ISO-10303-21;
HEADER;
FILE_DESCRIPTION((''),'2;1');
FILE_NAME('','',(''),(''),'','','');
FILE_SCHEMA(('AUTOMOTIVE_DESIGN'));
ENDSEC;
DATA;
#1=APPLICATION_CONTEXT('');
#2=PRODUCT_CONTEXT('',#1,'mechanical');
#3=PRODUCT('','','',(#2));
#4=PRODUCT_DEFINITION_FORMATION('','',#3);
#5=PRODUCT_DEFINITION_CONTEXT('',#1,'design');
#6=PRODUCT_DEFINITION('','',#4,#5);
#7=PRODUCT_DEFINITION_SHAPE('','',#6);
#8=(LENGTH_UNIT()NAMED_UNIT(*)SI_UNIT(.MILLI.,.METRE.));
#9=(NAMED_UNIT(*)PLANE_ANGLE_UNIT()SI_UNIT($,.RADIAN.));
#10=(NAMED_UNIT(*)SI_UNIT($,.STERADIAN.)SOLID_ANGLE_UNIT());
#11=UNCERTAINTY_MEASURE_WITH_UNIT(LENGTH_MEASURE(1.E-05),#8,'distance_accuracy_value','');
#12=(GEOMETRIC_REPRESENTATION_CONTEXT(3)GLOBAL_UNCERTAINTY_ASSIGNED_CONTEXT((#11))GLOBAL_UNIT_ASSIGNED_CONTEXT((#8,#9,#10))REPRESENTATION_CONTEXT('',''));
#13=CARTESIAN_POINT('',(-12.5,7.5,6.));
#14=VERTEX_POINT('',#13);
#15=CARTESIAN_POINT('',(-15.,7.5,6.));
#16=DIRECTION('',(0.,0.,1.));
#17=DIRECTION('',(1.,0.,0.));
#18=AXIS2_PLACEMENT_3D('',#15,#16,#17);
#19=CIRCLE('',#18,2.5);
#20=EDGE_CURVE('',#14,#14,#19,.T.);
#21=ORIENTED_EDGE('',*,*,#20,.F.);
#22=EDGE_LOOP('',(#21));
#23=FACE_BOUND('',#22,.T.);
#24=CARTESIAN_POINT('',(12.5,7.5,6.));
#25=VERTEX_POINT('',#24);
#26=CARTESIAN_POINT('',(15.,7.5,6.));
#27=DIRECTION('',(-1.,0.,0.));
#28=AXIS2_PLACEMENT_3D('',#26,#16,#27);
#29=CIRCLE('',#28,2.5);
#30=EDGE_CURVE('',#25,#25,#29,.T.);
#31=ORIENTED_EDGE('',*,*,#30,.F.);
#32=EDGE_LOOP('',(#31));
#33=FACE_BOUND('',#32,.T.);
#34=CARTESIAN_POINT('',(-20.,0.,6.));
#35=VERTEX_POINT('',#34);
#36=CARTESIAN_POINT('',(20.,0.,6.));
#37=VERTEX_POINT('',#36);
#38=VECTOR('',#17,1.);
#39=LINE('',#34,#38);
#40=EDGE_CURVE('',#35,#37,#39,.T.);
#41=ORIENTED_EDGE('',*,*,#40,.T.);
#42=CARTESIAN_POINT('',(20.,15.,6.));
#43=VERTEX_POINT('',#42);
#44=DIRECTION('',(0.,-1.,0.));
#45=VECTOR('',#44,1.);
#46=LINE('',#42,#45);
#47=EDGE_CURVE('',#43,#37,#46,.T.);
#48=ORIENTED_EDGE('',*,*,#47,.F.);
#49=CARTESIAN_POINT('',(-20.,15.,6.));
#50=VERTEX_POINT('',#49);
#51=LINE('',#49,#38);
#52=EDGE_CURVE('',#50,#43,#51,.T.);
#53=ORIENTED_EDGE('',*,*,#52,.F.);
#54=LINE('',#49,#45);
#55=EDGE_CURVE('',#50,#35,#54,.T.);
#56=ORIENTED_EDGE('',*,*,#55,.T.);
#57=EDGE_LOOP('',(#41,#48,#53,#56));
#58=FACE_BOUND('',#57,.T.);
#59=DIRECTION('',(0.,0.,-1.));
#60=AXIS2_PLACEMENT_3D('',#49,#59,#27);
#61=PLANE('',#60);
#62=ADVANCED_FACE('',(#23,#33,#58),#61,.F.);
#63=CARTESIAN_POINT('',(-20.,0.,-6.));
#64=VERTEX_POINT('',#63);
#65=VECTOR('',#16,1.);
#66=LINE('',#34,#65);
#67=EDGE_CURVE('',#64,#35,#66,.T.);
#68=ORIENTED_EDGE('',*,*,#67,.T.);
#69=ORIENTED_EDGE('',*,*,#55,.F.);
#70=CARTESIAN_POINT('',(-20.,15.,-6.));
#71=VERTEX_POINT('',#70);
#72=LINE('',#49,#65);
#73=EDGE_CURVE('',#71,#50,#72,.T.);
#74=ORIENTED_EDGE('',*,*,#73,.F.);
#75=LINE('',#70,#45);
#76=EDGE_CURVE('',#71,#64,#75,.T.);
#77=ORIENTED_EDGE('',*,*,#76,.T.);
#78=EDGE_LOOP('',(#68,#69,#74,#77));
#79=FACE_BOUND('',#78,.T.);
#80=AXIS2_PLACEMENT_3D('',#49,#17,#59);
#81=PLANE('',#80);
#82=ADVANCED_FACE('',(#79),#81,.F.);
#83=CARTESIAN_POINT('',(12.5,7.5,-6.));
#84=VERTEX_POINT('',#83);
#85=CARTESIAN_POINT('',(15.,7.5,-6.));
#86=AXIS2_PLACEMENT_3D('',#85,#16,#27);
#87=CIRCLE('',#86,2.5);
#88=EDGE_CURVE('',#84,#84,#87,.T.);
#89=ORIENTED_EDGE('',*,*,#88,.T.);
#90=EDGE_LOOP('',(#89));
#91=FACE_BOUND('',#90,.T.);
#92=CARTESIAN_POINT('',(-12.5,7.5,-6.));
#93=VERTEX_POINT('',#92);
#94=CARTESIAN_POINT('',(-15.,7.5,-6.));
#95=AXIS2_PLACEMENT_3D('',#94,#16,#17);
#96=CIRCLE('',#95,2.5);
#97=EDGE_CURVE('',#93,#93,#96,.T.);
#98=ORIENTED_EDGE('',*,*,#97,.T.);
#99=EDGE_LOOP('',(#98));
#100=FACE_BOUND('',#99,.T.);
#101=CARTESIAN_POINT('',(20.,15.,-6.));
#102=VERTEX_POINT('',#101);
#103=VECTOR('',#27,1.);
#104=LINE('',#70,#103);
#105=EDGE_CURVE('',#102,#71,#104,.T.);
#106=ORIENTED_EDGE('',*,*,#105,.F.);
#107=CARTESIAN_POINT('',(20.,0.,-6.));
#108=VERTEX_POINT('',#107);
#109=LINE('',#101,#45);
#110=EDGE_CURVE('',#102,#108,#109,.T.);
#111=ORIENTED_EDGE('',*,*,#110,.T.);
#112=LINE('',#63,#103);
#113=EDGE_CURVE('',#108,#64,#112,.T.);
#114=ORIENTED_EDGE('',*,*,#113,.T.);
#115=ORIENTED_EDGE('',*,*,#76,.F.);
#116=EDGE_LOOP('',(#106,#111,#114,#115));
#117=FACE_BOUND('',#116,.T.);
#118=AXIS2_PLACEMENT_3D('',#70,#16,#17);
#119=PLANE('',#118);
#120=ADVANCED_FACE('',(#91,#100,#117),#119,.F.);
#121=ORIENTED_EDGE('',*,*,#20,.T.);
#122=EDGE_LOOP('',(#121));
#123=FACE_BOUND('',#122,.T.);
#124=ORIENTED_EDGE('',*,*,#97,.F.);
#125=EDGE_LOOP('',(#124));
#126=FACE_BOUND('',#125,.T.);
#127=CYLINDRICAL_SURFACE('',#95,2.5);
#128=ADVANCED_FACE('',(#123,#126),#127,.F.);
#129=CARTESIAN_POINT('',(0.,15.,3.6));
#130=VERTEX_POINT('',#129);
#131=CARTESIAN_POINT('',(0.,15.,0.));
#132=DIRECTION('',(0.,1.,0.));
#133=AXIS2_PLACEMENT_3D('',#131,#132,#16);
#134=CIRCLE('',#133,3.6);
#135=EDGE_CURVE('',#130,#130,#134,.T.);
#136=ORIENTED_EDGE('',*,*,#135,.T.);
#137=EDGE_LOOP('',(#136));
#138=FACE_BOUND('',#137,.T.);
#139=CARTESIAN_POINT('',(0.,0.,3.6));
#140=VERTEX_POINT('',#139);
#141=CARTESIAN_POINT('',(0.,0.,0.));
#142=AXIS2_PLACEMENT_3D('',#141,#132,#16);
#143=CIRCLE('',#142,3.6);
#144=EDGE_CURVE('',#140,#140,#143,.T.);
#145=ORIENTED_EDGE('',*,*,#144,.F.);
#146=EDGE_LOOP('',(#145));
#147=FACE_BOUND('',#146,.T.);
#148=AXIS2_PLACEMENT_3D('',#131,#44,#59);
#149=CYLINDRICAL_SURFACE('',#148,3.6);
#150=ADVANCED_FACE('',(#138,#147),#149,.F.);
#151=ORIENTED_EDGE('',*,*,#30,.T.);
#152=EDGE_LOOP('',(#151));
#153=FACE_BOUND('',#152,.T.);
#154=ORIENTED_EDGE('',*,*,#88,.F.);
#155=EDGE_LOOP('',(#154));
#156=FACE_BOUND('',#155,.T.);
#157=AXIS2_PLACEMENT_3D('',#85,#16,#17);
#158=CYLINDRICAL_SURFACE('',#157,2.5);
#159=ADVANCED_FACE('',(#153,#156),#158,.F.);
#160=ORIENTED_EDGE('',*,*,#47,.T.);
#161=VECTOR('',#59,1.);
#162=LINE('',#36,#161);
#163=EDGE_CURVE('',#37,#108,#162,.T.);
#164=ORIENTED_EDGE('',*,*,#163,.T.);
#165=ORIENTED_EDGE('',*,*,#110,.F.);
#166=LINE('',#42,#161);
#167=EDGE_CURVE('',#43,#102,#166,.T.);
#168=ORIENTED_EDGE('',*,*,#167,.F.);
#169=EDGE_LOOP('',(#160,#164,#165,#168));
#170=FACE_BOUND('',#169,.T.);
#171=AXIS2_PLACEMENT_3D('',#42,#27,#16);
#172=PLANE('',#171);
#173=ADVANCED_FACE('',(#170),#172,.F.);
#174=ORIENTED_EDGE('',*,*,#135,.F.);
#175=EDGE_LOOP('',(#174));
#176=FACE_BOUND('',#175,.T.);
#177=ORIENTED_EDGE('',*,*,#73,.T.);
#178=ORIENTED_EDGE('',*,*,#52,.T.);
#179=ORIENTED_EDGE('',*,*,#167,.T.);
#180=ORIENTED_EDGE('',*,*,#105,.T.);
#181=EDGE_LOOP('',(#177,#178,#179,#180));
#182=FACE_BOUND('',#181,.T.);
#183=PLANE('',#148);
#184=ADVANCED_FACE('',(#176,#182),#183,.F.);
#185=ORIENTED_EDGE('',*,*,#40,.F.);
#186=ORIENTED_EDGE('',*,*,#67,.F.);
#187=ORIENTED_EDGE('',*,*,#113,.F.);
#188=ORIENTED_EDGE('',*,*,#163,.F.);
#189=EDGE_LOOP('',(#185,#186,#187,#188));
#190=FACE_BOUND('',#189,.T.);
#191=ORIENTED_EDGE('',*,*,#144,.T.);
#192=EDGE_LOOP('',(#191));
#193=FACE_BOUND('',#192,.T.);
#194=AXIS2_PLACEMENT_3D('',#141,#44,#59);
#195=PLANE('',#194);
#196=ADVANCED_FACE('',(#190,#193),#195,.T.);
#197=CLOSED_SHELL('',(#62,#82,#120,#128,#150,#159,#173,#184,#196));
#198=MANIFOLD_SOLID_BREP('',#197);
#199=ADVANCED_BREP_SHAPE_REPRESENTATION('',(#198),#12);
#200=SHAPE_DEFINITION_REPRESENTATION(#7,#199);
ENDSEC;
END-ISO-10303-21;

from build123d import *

# Parameters (mm, degrees)
SKETCH_1_W          = 40
SKETCH_1_H          = 12
SKETCH_1_R          = 3.6
EXTRUDE_1_DEPTH     = 15
SKETCH_2_R          = 2.5
CUT_EXTRUDE_1_DEPTH = 13


with BuildPart() as part:
    # Эскиз1 → Бобышка-Вытянуть1 (new body)
    with BuildSketch(Plane(origin=(0, 0, 0), x_dir=(1, 0, 0), z_dir=(0, 1, 0))):
        Rectangle(SKETCH_1_W, SKETCH_1_H)
        Circle(SKETCH_1_R, mode=Mode.SUBTRACT)
    extrude(amount=EXTRUDE_1_DEPTH)

    # Эскиз2 → Вырез-Вытянуть1 (cut, through all)
    with BuildSketch(Plane.XY.offset(6)):
        with Locations((-15, 7.5)):
            Circle(SKETCH_2_R)
        with Locations((15, 7.5)):
            Circle(SKETCH_2_R)
    extrude(amount=-CUT_EXTRUDE_1_DEPTH, mode=Mode.SUBTRACT)


solid = part.part
